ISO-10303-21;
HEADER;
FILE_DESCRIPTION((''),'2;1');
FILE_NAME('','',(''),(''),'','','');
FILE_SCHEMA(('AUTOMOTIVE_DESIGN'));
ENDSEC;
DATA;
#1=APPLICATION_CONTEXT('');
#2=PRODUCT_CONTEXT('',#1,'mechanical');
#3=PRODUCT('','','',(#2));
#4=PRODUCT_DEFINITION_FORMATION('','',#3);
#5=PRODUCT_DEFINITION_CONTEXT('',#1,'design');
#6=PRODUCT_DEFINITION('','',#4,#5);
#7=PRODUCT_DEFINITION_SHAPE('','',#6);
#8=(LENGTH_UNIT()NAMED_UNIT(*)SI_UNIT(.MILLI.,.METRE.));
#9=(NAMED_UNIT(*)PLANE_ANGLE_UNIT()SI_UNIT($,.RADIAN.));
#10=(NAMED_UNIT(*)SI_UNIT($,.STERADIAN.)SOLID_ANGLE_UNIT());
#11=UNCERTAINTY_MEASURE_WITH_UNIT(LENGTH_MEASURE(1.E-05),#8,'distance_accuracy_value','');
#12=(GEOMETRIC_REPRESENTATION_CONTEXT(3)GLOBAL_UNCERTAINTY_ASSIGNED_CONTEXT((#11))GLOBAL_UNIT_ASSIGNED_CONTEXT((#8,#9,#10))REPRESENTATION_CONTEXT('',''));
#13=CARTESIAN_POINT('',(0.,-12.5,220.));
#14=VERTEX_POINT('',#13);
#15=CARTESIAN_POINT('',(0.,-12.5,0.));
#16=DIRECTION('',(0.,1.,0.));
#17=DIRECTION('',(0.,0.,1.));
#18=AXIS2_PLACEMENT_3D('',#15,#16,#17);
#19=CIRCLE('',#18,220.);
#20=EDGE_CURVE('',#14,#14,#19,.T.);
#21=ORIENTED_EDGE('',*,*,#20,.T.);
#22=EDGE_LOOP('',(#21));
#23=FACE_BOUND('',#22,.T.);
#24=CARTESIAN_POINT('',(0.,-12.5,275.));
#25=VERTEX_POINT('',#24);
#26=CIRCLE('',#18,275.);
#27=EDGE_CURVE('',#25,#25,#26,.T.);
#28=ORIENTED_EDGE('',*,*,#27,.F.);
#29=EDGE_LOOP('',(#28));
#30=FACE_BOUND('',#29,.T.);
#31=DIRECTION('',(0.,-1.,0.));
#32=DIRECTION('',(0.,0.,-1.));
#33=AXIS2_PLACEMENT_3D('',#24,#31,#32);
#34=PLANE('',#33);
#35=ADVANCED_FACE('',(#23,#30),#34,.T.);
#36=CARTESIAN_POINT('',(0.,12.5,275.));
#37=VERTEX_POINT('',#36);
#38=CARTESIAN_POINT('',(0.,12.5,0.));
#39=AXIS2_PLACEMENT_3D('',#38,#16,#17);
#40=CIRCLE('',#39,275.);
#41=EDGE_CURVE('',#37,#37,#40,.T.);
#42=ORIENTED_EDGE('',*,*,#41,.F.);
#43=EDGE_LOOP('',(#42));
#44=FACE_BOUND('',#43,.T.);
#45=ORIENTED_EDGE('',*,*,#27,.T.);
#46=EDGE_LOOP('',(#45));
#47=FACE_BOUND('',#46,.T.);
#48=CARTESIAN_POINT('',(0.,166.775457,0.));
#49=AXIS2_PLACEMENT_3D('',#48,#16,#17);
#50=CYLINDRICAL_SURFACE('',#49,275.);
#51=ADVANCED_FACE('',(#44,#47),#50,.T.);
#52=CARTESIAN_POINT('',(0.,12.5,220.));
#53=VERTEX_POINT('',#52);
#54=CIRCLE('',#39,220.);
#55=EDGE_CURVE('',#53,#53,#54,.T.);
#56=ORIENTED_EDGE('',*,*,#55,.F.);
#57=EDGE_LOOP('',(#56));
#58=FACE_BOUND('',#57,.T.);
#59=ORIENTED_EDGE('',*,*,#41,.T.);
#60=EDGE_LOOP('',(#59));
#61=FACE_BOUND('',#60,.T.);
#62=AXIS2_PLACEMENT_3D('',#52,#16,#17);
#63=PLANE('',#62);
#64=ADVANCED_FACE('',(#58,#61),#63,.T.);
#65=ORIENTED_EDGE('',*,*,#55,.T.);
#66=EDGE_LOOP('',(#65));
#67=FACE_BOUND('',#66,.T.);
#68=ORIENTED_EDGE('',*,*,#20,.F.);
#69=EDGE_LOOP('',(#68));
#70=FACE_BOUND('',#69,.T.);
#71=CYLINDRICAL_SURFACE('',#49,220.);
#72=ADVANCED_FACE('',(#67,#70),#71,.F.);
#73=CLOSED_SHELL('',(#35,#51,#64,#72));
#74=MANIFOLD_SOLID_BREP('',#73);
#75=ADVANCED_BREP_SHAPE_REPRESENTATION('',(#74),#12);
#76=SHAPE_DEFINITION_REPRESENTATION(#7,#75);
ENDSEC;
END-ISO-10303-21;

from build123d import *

# Parameters (mm, degrees)
SKETCH1_W = 55
SKETCH1_H = 25


with BuildPart() as part:
    # Sketch1 → Revolve1 (revolve)
    with BuildSketch(Plane(origin=(0, 0, 0), x_dir=(0, 0, -1), z_dir=(1, 0, 0))):
        with Locations((-247.5, 0)):
            Rectangle(SKETCH1_W, SKETCH1_H)
    revolve(axis=Axis((0, 166.775456919, 0), (0, -1, 0)))


solid = part.part
